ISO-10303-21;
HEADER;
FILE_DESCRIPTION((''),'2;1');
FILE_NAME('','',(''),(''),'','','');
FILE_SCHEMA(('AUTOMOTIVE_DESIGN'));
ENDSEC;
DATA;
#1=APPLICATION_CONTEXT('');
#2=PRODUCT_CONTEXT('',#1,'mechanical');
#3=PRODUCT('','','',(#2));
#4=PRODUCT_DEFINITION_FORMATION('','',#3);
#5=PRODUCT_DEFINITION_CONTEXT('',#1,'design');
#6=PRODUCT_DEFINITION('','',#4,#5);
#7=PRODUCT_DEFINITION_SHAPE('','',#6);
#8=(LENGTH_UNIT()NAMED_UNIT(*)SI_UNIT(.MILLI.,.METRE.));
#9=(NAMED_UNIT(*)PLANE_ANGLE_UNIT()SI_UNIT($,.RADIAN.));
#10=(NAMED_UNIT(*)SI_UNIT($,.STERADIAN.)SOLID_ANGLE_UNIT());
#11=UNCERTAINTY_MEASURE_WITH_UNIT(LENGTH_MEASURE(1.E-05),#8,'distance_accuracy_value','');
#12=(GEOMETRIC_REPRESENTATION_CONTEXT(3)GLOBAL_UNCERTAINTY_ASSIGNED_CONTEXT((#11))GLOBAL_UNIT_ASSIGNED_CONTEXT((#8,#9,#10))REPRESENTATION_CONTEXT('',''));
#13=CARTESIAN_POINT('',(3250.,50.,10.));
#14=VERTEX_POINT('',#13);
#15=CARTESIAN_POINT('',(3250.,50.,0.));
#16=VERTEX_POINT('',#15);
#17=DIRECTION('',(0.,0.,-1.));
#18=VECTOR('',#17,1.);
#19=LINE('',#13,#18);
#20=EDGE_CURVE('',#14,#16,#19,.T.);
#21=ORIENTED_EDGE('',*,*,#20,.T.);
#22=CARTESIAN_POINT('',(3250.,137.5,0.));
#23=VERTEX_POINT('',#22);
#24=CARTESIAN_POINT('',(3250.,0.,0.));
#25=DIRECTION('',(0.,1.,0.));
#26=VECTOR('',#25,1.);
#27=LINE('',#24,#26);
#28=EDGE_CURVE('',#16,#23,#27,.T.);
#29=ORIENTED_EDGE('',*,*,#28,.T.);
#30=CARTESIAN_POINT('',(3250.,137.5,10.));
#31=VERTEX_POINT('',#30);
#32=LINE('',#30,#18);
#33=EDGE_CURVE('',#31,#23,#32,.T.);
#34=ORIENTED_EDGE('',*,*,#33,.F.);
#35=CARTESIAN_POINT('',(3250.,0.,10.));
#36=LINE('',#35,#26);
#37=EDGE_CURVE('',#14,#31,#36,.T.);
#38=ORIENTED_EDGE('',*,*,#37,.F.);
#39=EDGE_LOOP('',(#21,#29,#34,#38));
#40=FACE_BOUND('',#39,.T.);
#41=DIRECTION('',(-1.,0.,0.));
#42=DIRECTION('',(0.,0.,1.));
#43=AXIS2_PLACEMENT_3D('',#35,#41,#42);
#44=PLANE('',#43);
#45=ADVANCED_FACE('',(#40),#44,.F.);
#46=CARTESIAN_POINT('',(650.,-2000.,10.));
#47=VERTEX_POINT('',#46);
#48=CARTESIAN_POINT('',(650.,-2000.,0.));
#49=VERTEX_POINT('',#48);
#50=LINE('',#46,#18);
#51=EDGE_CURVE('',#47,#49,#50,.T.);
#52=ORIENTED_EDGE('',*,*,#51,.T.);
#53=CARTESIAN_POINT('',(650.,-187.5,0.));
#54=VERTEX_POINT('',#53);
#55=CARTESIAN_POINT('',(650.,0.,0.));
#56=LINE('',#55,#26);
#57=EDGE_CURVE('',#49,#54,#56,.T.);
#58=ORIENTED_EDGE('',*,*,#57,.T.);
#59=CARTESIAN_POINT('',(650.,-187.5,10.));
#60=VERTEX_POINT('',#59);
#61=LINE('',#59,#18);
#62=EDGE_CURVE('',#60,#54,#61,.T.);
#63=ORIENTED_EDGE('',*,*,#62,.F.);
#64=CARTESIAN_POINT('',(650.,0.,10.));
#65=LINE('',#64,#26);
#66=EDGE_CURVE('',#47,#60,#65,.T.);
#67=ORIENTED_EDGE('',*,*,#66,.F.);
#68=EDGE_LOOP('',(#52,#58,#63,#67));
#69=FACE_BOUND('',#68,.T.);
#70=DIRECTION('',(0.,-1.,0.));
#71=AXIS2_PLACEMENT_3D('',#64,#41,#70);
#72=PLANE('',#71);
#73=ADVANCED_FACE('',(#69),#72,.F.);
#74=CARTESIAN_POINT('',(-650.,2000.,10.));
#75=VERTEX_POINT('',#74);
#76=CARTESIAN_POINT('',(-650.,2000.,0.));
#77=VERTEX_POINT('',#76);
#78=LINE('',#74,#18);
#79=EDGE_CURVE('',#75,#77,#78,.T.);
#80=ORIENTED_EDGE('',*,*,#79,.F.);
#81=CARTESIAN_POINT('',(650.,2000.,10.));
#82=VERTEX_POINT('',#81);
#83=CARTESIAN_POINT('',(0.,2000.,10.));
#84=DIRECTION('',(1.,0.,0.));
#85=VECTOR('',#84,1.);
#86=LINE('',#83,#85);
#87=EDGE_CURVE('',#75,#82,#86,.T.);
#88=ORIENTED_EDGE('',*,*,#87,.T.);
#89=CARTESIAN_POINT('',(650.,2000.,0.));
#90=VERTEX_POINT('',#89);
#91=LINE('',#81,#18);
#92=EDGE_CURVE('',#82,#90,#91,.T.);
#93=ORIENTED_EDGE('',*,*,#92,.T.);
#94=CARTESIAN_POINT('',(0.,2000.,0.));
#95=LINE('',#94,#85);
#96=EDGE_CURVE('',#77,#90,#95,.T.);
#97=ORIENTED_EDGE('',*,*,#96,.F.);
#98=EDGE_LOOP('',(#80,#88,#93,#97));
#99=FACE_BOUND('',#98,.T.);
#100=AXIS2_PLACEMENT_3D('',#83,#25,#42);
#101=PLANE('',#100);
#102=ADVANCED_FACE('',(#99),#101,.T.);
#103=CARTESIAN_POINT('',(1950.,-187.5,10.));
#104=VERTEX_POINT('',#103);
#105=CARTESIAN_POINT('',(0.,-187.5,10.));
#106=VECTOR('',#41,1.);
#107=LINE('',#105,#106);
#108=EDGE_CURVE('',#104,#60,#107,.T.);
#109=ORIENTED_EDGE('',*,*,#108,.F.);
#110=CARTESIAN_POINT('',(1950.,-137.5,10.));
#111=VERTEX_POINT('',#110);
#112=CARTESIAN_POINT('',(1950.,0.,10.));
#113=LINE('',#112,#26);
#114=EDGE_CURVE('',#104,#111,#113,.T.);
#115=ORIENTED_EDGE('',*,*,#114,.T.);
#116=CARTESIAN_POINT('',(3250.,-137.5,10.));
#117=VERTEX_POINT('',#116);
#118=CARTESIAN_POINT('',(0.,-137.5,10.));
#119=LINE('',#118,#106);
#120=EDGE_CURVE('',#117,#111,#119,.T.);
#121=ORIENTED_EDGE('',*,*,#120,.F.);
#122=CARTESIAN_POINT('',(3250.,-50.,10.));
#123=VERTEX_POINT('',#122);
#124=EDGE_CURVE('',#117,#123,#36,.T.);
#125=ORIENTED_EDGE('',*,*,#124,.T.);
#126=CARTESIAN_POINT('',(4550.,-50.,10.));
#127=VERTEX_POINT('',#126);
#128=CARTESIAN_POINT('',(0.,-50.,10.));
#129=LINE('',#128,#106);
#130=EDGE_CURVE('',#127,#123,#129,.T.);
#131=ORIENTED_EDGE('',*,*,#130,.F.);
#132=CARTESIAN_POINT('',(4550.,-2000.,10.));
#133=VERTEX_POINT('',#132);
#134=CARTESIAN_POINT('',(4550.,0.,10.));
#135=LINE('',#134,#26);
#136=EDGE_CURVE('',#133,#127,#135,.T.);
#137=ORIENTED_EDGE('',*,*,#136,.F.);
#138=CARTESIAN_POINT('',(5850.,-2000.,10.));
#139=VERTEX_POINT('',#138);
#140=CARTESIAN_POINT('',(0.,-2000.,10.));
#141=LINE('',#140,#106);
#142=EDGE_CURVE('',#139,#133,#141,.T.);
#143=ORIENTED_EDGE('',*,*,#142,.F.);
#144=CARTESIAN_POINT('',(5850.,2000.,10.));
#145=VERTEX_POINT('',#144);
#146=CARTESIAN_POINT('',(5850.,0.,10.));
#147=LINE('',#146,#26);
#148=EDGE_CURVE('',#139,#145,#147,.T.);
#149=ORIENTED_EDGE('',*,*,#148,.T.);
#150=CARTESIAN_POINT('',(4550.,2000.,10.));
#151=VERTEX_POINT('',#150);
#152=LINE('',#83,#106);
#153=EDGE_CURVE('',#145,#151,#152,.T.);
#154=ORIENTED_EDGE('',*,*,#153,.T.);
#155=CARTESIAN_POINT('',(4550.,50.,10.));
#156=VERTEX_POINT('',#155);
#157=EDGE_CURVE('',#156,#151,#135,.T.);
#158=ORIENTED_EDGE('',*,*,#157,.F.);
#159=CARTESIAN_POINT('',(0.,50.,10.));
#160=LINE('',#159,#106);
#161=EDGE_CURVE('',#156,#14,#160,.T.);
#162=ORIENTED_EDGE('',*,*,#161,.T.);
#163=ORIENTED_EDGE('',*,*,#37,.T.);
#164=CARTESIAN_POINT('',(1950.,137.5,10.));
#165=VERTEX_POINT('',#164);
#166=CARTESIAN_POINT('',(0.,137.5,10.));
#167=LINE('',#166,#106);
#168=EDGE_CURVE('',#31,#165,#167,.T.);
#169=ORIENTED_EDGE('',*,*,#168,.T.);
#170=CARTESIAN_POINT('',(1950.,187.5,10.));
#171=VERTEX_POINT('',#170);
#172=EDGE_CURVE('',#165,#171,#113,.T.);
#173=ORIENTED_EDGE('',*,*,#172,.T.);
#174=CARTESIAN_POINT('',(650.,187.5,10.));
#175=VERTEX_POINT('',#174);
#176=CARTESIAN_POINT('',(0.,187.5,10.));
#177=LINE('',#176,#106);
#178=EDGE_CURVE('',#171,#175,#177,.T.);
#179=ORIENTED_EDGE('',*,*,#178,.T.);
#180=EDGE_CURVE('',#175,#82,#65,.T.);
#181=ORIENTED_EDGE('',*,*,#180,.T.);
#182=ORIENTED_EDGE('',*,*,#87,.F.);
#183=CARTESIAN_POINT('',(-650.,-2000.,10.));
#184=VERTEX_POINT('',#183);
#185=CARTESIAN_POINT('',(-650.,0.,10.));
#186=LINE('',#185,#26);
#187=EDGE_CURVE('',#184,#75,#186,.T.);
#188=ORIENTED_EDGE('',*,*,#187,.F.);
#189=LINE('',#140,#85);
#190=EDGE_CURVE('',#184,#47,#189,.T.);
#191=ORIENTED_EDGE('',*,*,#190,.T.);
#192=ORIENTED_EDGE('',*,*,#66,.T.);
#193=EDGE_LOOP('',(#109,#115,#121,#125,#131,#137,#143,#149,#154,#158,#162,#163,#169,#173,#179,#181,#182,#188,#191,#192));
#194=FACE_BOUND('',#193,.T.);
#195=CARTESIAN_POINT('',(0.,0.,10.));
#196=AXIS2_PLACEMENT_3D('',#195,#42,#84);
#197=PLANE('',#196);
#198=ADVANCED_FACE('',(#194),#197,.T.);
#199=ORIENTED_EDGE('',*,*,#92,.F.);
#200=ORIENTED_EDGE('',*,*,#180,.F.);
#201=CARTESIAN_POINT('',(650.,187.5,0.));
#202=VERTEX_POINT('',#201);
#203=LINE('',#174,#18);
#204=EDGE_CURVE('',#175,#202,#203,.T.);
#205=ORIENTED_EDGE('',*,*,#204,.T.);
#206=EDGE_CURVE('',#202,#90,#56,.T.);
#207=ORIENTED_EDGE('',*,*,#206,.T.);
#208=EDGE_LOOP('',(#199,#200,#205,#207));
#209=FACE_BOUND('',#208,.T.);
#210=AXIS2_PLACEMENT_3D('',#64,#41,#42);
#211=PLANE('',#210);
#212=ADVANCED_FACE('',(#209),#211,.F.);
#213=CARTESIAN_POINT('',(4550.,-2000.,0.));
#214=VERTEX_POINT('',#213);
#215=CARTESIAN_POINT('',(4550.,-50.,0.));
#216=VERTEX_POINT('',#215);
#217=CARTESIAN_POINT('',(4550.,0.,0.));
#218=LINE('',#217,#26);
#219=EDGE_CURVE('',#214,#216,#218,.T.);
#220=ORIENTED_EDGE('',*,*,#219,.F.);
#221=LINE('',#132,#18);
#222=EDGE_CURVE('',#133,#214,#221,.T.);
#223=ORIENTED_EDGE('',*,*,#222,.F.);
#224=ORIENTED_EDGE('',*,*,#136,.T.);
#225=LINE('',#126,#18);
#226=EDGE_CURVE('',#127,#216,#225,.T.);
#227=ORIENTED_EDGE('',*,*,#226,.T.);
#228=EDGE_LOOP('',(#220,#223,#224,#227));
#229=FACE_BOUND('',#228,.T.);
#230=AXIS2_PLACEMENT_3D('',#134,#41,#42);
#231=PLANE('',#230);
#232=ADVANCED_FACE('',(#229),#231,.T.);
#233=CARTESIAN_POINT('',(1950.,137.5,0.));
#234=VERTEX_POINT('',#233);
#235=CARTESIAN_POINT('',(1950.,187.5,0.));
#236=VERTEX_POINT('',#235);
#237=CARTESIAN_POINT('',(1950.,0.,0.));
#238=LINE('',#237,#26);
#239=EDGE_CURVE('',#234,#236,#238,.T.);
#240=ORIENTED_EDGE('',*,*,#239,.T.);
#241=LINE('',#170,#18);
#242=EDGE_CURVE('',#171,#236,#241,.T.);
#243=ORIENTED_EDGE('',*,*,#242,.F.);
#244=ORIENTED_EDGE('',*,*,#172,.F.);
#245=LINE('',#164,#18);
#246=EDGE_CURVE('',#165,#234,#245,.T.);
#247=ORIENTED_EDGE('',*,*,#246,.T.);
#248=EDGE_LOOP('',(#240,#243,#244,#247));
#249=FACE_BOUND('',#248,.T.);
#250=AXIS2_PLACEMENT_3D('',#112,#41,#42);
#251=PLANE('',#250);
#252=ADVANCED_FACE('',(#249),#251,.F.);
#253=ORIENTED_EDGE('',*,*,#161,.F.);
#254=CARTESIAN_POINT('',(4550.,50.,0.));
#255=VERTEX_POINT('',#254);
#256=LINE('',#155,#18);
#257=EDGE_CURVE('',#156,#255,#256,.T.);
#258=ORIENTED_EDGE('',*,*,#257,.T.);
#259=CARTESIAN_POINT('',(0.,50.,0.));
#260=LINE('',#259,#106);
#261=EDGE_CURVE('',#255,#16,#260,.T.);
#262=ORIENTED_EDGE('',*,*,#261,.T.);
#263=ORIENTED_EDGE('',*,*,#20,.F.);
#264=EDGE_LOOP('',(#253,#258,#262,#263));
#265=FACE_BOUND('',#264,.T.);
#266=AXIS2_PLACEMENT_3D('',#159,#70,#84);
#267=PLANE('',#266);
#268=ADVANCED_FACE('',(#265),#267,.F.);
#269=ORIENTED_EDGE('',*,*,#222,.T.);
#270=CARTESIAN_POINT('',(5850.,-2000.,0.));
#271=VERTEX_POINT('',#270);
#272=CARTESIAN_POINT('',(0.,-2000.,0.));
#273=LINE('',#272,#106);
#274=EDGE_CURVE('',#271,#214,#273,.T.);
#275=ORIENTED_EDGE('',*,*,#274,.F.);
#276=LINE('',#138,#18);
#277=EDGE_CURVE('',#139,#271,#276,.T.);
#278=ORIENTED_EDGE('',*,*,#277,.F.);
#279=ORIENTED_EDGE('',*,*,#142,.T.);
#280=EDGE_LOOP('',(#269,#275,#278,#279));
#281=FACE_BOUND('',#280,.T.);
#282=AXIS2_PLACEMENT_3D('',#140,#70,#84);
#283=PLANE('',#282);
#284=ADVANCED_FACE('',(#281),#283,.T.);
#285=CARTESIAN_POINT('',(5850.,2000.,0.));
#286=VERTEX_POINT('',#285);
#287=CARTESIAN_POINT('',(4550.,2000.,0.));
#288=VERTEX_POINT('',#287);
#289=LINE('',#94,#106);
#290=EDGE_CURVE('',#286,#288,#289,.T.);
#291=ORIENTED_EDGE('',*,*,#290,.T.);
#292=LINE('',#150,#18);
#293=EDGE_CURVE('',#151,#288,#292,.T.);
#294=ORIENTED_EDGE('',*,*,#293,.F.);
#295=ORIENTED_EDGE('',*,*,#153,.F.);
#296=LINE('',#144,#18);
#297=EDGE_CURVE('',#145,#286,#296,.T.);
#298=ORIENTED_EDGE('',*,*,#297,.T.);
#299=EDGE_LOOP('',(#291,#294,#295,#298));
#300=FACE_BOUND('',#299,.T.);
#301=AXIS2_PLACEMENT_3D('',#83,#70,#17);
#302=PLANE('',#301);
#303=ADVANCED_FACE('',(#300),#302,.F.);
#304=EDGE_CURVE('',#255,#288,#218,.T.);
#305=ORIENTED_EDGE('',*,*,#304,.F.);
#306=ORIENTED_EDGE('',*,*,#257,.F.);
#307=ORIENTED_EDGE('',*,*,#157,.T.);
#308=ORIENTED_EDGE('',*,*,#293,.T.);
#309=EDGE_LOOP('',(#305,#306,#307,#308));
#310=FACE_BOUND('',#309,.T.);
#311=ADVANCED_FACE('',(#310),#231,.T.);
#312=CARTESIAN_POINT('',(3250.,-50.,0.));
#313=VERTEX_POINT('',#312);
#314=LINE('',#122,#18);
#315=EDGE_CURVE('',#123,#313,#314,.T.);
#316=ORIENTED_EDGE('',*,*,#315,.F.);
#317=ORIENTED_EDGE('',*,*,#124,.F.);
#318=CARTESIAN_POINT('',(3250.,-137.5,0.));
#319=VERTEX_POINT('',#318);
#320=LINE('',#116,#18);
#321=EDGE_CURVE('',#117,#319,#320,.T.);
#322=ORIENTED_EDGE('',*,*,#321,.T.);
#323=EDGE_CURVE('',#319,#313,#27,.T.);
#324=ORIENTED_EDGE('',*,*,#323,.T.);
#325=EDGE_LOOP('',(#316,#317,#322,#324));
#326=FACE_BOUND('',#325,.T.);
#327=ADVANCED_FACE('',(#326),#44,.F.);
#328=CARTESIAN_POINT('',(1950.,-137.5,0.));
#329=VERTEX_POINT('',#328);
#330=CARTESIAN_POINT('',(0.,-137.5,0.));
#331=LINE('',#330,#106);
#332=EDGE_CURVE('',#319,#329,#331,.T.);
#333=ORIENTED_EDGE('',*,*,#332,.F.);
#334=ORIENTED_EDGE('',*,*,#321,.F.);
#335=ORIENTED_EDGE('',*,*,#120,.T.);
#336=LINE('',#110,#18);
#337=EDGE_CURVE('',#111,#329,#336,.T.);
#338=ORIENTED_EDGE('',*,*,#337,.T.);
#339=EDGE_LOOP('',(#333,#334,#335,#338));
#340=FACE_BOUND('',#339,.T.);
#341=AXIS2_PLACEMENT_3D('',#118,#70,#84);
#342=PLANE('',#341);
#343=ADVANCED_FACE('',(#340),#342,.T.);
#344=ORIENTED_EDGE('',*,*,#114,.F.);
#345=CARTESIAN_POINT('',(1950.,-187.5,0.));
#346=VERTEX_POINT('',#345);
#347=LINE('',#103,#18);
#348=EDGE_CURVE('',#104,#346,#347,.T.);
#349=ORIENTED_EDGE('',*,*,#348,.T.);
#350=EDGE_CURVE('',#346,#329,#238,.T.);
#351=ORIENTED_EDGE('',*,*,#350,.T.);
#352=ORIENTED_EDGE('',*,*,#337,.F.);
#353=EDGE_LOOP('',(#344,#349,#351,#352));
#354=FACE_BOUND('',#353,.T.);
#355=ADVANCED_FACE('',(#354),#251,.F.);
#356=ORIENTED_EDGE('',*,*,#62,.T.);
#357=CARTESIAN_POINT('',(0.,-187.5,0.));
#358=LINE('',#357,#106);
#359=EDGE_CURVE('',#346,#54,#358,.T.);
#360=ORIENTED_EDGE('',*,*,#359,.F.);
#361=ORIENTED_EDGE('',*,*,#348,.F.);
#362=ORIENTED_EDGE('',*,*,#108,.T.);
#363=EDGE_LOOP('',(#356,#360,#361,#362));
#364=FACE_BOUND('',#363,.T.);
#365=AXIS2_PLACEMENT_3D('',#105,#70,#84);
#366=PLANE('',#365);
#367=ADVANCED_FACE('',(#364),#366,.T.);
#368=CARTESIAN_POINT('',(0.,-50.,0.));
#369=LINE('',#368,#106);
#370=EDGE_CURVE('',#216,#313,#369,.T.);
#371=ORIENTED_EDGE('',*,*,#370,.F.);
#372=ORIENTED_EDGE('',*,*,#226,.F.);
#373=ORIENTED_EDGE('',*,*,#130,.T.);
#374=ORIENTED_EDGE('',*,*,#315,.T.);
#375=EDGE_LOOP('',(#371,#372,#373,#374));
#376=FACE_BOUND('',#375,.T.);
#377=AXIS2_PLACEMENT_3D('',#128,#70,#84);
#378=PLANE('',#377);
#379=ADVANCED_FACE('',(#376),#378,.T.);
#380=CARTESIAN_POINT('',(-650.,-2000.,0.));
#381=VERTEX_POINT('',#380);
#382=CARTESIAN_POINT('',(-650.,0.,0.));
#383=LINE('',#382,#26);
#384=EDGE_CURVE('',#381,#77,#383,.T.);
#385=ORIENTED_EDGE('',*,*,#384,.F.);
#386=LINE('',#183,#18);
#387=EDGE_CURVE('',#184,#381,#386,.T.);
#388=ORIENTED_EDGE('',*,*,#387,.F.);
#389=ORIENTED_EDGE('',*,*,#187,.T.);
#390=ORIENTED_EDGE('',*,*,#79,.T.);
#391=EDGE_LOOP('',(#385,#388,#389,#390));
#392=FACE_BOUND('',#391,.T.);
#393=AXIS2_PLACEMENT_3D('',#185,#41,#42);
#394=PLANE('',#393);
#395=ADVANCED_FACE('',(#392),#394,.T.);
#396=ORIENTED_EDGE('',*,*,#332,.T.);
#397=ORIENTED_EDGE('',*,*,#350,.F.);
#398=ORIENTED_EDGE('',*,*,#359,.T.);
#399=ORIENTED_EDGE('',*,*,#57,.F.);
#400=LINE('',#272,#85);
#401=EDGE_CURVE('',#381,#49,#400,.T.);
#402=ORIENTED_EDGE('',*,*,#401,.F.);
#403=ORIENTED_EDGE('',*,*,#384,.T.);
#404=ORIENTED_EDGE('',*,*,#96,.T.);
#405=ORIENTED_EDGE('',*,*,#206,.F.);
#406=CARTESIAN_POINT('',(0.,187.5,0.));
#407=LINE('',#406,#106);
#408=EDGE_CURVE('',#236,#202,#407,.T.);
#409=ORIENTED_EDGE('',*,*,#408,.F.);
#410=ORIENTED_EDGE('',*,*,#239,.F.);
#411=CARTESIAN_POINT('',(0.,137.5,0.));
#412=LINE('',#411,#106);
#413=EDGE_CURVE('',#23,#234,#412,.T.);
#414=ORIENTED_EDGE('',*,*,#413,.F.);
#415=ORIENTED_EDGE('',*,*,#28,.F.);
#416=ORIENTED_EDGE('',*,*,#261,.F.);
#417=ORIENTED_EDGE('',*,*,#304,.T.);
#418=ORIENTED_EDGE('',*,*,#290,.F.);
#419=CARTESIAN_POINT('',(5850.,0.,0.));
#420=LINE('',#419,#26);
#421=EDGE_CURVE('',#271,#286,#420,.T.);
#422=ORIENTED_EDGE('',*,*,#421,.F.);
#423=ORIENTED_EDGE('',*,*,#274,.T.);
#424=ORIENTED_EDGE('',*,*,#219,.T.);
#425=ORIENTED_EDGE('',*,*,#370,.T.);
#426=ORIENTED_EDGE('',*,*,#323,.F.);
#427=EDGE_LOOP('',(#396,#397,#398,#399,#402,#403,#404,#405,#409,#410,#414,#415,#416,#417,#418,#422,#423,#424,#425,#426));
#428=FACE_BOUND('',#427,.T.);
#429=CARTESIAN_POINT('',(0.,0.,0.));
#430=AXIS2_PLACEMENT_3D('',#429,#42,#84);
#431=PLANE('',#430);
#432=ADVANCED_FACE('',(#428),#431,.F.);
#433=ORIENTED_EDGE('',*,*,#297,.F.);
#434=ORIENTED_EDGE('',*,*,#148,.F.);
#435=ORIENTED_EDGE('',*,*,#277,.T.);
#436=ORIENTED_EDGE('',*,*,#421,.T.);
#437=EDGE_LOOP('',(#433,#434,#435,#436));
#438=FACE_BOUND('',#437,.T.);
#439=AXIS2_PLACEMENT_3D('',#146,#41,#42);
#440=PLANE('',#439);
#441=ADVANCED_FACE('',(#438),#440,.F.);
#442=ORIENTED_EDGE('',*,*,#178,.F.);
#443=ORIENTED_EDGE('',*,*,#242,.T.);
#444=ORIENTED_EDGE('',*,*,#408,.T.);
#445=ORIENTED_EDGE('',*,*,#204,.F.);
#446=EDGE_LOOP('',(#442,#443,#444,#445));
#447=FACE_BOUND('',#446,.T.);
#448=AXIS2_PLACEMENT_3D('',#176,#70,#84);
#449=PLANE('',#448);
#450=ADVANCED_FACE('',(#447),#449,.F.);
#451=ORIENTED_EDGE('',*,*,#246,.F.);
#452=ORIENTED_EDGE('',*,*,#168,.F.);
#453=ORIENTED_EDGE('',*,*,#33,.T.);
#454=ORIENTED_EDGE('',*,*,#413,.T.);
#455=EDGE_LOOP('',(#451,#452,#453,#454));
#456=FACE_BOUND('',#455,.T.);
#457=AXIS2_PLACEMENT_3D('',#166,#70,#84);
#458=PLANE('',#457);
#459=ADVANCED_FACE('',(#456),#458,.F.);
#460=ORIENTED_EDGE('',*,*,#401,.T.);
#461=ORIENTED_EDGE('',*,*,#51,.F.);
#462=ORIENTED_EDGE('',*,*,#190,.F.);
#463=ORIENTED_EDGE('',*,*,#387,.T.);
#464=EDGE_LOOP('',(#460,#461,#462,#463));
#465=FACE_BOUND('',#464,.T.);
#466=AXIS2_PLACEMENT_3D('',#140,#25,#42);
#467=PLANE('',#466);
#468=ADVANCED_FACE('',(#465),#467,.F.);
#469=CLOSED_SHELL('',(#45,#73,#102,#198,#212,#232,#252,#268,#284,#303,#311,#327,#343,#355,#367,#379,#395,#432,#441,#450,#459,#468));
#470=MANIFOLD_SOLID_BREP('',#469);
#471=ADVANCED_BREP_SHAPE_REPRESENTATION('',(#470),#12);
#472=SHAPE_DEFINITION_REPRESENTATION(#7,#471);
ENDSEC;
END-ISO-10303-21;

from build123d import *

# Parameters (mm, degrees)
BOSS_EXTRUDE1_DEPTH = 10


with BuildPart() as part:
    # Sketch1 → Boss-Extrude1 (new body)
    with BuildSketch(Plane.XY):
        Polygon((-650, -2000), (650, -2000), (650, -187.5), (1950, -187.5), (1950, -137.5), (3250, -137.5), (3250, -50), (4550, -50), (4550, -2000), (5850, -2000), (5850, 2000), (4550, 2000), (4550, 50), (3250, 50), (3250, 137.5), (1950, 137.5), (1950, 187.5), (650, 187.5), (650, 2000), (-650, 2000), align=None)
    extrude(amount=BOSS_EXTRUDE1_DEPTH)


solid = part.part
